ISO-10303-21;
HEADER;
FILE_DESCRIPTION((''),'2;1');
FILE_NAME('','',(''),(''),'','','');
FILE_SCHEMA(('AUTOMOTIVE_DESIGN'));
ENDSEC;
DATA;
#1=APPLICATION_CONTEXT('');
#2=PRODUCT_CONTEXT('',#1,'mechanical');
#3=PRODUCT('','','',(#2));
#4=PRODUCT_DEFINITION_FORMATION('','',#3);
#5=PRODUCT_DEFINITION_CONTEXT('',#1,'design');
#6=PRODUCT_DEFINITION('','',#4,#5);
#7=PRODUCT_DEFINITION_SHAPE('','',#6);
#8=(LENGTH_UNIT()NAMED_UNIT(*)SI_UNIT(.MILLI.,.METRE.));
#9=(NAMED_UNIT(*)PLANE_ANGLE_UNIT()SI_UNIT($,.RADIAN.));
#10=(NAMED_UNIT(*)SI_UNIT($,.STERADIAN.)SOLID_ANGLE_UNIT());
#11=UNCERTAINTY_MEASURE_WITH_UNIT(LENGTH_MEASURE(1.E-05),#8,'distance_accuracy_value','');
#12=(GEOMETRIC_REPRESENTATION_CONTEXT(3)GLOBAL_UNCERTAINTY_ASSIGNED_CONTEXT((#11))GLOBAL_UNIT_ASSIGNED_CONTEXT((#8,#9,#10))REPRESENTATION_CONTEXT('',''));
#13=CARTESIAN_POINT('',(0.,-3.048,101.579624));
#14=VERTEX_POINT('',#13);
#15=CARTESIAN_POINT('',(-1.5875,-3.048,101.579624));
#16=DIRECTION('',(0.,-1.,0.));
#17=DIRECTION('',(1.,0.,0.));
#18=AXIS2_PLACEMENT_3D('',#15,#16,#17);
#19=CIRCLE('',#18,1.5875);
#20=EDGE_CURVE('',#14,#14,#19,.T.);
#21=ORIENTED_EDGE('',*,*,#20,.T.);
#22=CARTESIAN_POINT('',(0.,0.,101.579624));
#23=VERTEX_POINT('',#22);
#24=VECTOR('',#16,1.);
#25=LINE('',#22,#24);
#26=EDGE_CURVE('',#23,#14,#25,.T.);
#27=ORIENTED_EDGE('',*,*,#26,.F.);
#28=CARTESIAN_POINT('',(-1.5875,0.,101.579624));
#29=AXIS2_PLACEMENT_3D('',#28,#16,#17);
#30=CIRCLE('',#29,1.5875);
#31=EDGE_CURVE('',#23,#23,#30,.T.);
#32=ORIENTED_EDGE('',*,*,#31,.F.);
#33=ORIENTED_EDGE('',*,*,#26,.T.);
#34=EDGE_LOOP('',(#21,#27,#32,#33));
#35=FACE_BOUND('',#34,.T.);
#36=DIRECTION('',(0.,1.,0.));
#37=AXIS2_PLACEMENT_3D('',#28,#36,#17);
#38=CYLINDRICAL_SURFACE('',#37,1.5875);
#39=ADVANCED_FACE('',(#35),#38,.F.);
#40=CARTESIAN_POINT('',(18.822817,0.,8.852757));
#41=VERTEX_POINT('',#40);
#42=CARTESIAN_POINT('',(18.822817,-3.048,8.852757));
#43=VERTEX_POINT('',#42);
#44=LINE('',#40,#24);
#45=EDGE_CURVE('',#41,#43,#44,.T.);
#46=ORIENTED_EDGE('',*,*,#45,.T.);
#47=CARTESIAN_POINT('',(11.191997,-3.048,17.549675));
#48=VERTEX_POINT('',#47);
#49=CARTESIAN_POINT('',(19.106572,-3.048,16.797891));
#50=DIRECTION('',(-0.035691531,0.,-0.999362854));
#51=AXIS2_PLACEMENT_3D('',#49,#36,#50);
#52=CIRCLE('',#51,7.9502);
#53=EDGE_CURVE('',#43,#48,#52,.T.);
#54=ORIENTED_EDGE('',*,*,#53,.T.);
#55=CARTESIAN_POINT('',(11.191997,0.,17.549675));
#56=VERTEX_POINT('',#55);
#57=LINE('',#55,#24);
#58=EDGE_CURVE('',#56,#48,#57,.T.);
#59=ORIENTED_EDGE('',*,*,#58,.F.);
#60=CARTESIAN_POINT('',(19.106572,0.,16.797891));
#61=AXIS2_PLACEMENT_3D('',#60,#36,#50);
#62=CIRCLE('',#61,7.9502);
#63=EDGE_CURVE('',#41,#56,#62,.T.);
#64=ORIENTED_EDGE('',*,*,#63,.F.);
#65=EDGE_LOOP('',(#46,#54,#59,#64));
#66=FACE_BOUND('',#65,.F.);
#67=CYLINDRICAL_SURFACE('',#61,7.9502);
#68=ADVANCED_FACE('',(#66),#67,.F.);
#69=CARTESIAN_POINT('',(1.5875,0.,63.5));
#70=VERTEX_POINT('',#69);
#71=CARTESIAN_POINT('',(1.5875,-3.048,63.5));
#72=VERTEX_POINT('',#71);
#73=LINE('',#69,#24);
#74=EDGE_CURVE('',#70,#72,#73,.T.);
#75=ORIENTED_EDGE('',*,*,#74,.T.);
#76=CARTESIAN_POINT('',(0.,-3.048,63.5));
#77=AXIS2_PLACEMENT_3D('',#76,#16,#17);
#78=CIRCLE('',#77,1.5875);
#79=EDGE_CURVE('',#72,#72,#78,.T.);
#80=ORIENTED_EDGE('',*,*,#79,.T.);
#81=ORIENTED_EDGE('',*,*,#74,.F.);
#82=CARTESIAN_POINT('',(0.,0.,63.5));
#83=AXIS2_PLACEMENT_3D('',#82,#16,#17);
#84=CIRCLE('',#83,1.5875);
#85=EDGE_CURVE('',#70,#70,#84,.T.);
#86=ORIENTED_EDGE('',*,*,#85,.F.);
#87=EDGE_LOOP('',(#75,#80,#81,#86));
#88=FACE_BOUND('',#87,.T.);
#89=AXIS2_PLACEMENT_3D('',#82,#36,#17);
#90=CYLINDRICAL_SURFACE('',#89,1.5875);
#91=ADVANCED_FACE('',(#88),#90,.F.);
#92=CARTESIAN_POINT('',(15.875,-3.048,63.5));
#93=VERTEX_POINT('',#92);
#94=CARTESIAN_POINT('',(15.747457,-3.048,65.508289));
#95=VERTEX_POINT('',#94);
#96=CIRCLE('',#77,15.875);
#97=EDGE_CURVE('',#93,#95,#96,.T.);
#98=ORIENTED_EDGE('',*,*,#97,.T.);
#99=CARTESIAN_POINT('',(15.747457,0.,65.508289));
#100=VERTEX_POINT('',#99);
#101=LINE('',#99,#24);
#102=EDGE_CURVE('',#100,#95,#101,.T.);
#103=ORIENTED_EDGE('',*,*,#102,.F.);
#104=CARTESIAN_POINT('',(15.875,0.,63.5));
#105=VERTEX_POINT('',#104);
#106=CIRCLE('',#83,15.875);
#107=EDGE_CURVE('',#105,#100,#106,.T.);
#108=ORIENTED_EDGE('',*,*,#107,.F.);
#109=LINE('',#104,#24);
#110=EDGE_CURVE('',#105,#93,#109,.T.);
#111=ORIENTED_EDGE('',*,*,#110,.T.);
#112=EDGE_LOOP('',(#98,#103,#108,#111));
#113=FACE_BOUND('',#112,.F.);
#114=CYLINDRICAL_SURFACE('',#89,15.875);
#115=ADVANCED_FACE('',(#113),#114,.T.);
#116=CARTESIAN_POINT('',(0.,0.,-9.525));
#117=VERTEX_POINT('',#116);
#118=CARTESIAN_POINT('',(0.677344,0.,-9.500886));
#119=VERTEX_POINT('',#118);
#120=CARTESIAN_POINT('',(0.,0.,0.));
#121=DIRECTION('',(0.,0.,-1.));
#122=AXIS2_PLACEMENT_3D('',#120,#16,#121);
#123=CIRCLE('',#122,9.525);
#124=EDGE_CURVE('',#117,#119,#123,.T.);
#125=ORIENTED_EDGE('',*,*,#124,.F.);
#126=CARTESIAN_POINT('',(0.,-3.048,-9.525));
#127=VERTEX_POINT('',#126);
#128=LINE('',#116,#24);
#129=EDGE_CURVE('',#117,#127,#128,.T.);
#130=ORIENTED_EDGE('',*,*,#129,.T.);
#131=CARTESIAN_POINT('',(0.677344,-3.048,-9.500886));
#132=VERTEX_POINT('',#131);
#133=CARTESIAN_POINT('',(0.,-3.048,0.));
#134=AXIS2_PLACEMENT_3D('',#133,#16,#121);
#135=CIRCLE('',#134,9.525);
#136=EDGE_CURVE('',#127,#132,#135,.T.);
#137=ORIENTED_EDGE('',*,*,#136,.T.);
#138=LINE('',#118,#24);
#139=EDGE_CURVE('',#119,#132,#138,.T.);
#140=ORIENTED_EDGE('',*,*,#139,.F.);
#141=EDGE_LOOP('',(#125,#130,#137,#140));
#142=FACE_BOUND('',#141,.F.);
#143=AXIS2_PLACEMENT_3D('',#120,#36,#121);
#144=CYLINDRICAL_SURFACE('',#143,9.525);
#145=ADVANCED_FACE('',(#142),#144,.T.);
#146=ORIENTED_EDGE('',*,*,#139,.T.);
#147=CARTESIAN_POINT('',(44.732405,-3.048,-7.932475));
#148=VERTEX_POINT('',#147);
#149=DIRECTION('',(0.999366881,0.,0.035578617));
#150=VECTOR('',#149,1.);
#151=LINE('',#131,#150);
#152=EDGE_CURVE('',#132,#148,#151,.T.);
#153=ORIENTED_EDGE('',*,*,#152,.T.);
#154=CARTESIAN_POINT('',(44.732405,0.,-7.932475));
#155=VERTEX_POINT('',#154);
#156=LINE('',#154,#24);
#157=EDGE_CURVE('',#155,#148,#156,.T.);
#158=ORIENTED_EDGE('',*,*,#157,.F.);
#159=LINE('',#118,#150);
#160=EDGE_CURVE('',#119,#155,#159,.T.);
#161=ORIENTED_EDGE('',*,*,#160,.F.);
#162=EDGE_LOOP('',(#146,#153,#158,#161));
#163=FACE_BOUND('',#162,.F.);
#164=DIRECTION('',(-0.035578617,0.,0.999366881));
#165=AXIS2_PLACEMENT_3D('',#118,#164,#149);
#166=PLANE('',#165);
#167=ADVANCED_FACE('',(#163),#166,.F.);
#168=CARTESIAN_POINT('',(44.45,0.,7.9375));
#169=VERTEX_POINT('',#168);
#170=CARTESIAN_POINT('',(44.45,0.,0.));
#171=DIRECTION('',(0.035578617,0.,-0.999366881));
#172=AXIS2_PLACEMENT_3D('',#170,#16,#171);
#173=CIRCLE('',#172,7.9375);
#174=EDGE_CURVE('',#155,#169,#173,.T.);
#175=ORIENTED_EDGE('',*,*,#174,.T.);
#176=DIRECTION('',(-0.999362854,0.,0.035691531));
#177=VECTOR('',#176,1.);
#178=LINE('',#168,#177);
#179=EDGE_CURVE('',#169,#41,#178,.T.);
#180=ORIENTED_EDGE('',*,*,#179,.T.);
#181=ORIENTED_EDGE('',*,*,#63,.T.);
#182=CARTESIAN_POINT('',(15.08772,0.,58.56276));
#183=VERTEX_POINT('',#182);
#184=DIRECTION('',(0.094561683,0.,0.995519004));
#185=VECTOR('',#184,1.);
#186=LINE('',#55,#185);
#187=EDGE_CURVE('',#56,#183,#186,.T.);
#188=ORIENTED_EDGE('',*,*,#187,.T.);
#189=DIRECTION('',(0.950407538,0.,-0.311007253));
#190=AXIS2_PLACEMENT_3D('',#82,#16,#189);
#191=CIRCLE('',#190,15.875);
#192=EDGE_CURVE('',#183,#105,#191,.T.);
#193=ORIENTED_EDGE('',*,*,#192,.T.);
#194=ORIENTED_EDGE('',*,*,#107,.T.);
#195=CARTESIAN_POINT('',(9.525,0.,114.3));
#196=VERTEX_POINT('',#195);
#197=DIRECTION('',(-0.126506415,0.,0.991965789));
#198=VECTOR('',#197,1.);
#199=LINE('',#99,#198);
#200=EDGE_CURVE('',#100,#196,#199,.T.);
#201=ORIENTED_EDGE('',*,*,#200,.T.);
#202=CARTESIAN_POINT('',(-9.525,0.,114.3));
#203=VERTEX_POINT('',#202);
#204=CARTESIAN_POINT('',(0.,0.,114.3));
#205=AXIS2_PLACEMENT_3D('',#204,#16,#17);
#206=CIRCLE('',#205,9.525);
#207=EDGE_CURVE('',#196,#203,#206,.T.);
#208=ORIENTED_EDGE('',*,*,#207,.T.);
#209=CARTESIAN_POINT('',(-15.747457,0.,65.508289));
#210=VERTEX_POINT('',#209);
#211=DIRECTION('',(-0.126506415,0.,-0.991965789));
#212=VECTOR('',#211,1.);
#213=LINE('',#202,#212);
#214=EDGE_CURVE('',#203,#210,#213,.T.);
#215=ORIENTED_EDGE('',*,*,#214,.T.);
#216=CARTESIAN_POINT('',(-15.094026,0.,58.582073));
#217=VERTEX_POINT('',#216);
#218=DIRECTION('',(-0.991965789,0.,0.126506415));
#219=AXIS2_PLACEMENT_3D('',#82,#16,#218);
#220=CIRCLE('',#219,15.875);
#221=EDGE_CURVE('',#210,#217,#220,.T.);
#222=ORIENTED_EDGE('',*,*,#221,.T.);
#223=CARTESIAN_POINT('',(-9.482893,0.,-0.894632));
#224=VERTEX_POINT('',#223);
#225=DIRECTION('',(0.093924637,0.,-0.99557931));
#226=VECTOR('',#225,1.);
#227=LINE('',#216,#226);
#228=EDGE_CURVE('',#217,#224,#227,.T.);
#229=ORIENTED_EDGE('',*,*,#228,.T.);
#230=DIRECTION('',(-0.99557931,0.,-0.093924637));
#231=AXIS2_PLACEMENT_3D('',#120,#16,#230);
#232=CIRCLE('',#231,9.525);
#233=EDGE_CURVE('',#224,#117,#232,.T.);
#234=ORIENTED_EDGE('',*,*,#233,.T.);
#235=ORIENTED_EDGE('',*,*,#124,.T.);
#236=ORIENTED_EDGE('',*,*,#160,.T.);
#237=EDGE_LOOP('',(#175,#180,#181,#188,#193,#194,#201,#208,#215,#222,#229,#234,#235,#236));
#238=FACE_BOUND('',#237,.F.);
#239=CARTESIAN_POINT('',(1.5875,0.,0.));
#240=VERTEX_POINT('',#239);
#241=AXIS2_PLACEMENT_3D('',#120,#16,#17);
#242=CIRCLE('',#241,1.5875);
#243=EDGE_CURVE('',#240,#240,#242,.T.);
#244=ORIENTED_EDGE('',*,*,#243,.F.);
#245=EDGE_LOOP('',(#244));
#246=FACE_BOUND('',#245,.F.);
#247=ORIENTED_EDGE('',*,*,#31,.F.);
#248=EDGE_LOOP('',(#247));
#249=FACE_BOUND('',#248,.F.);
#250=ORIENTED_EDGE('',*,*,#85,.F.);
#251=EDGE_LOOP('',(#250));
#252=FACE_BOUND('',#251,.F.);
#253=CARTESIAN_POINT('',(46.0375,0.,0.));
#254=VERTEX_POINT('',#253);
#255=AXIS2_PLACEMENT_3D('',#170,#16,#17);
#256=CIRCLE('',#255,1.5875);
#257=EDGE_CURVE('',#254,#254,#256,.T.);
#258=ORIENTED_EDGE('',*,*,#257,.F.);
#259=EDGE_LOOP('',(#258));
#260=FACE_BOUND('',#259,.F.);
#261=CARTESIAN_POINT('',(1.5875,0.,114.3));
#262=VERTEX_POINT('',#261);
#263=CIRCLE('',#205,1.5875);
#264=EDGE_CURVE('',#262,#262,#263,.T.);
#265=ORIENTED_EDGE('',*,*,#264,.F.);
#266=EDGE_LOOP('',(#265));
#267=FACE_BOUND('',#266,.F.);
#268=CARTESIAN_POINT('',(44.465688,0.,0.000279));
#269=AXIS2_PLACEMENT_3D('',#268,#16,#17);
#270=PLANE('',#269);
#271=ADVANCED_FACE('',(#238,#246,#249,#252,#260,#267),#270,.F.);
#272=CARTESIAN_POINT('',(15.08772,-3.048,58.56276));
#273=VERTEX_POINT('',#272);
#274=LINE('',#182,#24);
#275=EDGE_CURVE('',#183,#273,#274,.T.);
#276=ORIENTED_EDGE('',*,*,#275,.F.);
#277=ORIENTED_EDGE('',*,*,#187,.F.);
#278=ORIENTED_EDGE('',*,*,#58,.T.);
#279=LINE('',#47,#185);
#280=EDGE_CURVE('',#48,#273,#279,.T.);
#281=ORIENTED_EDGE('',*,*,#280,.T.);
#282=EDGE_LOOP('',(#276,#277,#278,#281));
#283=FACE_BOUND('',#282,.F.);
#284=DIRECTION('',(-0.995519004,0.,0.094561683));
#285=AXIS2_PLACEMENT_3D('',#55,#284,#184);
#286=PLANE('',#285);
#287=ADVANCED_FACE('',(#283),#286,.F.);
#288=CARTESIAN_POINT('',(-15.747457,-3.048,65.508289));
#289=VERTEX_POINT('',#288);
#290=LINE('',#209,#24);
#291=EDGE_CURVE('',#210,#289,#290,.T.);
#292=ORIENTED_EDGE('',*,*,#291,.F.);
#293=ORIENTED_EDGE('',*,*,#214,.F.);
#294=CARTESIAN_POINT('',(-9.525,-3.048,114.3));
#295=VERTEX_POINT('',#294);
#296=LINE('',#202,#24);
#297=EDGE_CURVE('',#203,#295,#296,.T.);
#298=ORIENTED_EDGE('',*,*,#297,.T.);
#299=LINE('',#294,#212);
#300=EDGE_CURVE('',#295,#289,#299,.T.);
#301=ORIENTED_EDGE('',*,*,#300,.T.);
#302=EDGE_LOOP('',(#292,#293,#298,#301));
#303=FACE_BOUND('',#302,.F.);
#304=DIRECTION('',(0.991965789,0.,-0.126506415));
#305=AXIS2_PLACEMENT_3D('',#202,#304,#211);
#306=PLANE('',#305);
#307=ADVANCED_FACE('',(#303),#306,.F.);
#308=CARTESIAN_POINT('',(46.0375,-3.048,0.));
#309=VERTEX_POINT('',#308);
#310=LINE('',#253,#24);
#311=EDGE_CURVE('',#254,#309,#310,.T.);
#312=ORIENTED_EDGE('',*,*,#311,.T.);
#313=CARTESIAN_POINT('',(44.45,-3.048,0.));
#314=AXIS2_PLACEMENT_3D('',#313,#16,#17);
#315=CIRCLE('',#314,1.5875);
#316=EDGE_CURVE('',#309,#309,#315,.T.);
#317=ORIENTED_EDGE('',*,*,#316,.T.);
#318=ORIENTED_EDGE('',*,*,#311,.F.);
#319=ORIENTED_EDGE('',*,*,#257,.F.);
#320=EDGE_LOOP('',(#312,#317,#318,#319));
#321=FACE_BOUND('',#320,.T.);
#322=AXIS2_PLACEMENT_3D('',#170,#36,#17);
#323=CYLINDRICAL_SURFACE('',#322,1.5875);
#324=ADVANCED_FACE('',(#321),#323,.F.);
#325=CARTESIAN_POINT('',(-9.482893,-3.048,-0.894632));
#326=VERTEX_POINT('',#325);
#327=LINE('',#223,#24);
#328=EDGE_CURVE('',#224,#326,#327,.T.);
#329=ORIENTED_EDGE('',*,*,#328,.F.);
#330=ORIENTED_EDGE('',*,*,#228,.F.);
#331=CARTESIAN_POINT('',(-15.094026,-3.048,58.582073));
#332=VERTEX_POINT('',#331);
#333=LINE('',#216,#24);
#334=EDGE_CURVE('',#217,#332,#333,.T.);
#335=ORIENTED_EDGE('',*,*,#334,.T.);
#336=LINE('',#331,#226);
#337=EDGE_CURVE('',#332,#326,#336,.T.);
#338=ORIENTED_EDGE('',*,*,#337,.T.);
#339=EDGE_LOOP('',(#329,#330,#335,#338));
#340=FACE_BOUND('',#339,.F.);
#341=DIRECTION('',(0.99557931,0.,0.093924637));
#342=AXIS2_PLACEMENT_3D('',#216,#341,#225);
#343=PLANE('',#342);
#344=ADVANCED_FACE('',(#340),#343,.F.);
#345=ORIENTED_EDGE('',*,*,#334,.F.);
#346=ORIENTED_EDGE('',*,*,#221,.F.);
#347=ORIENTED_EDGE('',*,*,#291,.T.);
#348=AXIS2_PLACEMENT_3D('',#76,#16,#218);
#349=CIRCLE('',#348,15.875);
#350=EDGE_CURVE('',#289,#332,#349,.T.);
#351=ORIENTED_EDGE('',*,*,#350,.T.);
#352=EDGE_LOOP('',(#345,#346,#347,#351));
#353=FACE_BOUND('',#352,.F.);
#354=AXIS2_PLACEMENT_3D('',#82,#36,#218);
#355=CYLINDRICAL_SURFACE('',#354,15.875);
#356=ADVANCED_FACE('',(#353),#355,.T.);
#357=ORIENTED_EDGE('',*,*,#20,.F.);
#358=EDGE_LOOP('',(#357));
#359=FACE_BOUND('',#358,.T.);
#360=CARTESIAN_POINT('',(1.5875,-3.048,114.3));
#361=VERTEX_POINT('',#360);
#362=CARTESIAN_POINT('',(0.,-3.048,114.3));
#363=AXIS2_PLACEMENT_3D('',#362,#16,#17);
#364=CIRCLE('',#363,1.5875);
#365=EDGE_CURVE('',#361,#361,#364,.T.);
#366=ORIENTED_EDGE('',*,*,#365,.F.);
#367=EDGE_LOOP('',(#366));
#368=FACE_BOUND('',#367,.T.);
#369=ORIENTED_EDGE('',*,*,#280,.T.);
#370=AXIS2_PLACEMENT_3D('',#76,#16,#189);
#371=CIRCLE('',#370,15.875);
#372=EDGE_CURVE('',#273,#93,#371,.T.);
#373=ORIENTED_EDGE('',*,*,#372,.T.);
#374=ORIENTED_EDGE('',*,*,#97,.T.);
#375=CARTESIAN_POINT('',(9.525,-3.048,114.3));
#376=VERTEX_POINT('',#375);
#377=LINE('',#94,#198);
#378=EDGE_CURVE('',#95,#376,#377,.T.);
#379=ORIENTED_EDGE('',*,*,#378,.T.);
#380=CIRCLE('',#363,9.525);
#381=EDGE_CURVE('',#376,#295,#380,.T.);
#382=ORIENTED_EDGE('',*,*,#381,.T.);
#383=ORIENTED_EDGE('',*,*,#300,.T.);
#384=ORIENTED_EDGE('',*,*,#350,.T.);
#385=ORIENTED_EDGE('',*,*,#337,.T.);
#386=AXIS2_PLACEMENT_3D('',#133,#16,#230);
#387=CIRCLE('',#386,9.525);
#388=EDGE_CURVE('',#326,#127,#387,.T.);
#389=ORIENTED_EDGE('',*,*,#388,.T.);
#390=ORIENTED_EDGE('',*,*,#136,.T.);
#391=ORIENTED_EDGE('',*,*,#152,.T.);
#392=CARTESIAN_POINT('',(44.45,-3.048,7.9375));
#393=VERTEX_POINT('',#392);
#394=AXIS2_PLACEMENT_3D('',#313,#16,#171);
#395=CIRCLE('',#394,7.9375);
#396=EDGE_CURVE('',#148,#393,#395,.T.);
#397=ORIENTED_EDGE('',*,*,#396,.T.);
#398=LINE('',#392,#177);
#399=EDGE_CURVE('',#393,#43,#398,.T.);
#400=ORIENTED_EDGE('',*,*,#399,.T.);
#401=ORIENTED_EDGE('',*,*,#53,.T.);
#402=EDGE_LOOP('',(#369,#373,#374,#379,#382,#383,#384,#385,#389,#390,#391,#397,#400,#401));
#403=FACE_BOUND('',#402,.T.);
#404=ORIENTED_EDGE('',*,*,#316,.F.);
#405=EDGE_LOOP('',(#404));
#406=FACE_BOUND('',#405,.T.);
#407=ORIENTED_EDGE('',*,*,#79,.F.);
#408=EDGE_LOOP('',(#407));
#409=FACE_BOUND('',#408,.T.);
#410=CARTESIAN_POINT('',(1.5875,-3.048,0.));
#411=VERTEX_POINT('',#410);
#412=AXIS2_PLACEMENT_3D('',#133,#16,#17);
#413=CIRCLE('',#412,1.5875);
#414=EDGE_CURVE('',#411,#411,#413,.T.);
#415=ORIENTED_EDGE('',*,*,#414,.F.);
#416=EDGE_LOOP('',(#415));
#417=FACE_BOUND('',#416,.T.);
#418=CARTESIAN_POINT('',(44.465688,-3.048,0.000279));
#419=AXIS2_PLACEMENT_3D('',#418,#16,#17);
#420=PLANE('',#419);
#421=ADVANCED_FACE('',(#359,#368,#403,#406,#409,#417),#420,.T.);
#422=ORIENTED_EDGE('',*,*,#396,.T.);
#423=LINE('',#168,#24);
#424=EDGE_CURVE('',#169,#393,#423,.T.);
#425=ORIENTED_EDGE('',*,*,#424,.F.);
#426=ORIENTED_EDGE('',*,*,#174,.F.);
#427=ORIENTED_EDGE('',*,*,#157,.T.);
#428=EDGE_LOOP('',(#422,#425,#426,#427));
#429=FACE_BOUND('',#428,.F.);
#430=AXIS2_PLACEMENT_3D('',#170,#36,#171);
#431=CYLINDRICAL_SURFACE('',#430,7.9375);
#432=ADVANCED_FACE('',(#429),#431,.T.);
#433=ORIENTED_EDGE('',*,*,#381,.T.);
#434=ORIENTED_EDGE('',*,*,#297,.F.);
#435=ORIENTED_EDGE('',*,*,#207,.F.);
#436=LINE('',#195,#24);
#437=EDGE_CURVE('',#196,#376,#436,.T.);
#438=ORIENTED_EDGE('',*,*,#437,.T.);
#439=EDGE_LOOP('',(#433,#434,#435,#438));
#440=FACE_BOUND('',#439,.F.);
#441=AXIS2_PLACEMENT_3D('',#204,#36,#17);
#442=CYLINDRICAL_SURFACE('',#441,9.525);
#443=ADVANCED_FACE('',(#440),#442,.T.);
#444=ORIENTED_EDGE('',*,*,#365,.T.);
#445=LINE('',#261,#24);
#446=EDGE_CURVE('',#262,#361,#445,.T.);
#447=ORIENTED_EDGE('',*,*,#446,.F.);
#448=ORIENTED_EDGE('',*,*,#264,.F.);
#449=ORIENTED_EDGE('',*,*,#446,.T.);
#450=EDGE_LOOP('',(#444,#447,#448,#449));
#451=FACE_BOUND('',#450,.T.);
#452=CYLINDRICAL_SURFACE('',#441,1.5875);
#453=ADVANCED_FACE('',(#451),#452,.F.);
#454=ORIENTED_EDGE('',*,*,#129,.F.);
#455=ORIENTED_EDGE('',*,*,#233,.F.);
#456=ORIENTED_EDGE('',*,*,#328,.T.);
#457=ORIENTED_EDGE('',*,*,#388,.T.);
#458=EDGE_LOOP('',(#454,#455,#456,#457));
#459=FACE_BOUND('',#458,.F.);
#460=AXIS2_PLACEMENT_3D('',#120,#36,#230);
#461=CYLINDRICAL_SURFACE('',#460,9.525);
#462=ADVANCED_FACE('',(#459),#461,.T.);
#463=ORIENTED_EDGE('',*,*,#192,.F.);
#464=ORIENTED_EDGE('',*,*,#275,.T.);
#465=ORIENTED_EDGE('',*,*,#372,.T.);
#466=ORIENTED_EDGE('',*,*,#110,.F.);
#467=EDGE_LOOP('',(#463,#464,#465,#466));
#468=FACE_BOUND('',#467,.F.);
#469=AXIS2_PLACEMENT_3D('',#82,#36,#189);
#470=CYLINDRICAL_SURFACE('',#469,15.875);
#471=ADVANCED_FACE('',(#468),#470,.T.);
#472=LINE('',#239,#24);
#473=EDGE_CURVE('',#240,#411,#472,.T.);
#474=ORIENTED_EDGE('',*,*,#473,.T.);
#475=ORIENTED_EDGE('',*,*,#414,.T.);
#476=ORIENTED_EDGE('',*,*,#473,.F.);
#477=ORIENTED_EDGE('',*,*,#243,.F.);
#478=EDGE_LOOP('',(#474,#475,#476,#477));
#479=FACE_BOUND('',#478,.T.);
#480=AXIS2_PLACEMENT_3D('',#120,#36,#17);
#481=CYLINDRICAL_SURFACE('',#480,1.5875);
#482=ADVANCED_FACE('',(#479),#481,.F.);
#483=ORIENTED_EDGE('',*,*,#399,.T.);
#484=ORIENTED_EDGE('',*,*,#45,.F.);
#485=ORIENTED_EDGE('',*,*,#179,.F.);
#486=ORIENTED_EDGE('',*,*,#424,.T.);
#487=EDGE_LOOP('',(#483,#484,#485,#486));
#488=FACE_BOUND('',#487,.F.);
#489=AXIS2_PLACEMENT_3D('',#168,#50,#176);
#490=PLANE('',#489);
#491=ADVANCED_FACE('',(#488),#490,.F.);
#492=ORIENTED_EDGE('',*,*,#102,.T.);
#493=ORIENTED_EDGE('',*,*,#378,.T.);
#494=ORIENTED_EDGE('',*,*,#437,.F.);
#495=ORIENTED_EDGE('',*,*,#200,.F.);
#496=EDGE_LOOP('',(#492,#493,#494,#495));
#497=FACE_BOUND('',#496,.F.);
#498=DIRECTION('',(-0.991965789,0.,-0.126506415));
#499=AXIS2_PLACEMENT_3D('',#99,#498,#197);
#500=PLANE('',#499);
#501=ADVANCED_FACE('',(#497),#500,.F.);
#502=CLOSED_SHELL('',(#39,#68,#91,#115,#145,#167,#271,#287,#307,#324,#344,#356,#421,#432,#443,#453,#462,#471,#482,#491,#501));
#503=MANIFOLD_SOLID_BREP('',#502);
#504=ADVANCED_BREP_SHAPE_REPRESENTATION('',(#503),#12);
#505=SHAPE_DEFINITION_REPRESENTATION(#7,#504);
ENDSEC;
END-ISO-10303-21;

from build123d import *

# Parameters (mm, degrees)
F0_R     = 1.5875
F1_DEPTH = 3.048


with BuildPart() as f1:
    # F0 (on Front) → F1 (new body)
    with BuildSketch(Plane.XZ):
        with BuildLine():
            ThreePointArc((44.7324052746, -7.9324746146), (50.1616327839, -5.5119104847), (52.3875, 0))
            ThreePointArc((52.3875, 0), (50.0626600757, 5.6126600757), (44.45, 7.9375))
            ThreePointArc((44.45, 7.9375), (36.5137564458, -0.1412249921), (44.7324052746, -7.9324746146))
        make_face()
        with Locations((44.45, 0)):
            Circle(F0_R, mode=Mode.SUBTRACT)
        with BuildLine():
            ThreePointArc((44.7324052746, -7.9324746146), (36.5137564458, -0.1412249921), (44.45, 7.9375))
            Line((44.45, 7.9375), (18.8228170321, 8.8527565346))
            ThreePointArc((18.8228170321, 8.8527565346), (13.130598856, 11.5544736108), (11.1919966494, 17.549675393))
            Line((11.1919966494, 17.549675393), (15.0877196672, 58.5627598555))
            ThreePointArc((15.0877196672, 58.5627598555), (-0.0101583242, 47.6250032501), (-15.0940259351, 58.5820729906))
            Line((-15.0940259351, 58.5820729906), (-9.4828929283, -0.8946321652))
            ThreePointArc((-9.4828929283, -0.8946321652), (-0.4478112651, 9.5144674087), (9.525, 0))
            ThreePointArc((9.525, 0), (6.9705567315, -6.4912990883), (0.6773435479, -9.500885786))
            Line((0.6773435479, -9.500885786), (44.7324052746, -7.9324746146))
        make_face()
        with BuildLine():
            Line((0, -9.525), (0.6773435479, -9.500885786))
            ThreePointArc((0.6773435479, -9.500885786), (6.9705567315, -6.4912990883), (9.525, 0))
            ThreePointArc((9.525, 0), (-0.4478112651, 9.5144674087), (-9.4828929283, -0.8946321652))
            ThreePointArc((-9.4828929283, -0.8946321652), (-6.4110940418, -7.0443948063), (0, -9.525))
        make_face()
        Circle(F0_R, mode=Mode.SUBTRACT)
        with BuildLine():
            ThreePointArc((0, -9.525), (0.3388863295, -9.5189695375), (0.6773435479, -9.500885786))
            Line((0.6773435479, -9.500885786), (0, -9.525))
        make_face()
        with BuildLine():
            Line((15.7474569047, 65.5082893304), (15.0877196672, 58.5627598555))
            ThreePointArc((15.0877196672, 58.5627598555), (15.6769444522, 61.0001924791), (15.875, 63.5))
            ThreePointArc((15.875, 63.5), (15.8430821396, 64.5061676396), (15.7474569047, 65.5082893304))
        make_face()
        with BuildLine():
            ThreePointArc((-15.0940259351, 58.5820729906), (-0.0101583242, 47.6250032501), (15.0877196672, 58.5627598555))
            Line((15.0877196672, 58.5627598555), (15.7474569047, 65.5082893304))
            ThreePointArc((15.7474569047, 65.5082893304), (0, 79.375), (-15.7474569047, 65.5082893304))
            Line((-15.7474569047, 65.5082893304), (-15.0940259351, 58.5820729906))
        make_face()
        with Locations((0, 63.5)):
            Circle(F0_R, mode=Mode.SUBTRACT)
        with BuildLine():
            ThreePointArc((-15.7474569047, 65.5082893304), (-15.8048215471, 62.0089463914), (-15.0940259351, 58.5820729906))
            Line((-15.0940259351, 58.5820729906), (-15.7474569047, 65.5082893304))
        make_face()
        with BuildLine():
            ThreePointArc((-15.7474569047, 65.5082893304), (0, 79.375), (15.7474569047, 65.5082893304))
            Line((15.7474569047, 65.5082893304), (9.525, 114.3))
            ThreePointArc((9.525, 114.3), (0, 104.775), (-9.525, 114.3))
            Line((-9.525, 114.3), (-15.7474569047, 65.5082893304))
        make_face()
        with Locations((-1.5875, 101.5796237513)):
            Circle(F0_R, mode=Mode.SUBTRACT)
        with BuildLine():
            ThreePointArc((-9.525, 114.3), (0, 104.775), (9.525, 114.3))
            ThreePointArc((9.525, 114.3), (0, 123.825), (-9.525, 114.3))
        make_face()
        with Locations((0, 114.3)):
            Circle(F0_R, mode=Mode.SUBTRACT)
    extrude(amount=F1_DEPTH)


solid = f1.part
